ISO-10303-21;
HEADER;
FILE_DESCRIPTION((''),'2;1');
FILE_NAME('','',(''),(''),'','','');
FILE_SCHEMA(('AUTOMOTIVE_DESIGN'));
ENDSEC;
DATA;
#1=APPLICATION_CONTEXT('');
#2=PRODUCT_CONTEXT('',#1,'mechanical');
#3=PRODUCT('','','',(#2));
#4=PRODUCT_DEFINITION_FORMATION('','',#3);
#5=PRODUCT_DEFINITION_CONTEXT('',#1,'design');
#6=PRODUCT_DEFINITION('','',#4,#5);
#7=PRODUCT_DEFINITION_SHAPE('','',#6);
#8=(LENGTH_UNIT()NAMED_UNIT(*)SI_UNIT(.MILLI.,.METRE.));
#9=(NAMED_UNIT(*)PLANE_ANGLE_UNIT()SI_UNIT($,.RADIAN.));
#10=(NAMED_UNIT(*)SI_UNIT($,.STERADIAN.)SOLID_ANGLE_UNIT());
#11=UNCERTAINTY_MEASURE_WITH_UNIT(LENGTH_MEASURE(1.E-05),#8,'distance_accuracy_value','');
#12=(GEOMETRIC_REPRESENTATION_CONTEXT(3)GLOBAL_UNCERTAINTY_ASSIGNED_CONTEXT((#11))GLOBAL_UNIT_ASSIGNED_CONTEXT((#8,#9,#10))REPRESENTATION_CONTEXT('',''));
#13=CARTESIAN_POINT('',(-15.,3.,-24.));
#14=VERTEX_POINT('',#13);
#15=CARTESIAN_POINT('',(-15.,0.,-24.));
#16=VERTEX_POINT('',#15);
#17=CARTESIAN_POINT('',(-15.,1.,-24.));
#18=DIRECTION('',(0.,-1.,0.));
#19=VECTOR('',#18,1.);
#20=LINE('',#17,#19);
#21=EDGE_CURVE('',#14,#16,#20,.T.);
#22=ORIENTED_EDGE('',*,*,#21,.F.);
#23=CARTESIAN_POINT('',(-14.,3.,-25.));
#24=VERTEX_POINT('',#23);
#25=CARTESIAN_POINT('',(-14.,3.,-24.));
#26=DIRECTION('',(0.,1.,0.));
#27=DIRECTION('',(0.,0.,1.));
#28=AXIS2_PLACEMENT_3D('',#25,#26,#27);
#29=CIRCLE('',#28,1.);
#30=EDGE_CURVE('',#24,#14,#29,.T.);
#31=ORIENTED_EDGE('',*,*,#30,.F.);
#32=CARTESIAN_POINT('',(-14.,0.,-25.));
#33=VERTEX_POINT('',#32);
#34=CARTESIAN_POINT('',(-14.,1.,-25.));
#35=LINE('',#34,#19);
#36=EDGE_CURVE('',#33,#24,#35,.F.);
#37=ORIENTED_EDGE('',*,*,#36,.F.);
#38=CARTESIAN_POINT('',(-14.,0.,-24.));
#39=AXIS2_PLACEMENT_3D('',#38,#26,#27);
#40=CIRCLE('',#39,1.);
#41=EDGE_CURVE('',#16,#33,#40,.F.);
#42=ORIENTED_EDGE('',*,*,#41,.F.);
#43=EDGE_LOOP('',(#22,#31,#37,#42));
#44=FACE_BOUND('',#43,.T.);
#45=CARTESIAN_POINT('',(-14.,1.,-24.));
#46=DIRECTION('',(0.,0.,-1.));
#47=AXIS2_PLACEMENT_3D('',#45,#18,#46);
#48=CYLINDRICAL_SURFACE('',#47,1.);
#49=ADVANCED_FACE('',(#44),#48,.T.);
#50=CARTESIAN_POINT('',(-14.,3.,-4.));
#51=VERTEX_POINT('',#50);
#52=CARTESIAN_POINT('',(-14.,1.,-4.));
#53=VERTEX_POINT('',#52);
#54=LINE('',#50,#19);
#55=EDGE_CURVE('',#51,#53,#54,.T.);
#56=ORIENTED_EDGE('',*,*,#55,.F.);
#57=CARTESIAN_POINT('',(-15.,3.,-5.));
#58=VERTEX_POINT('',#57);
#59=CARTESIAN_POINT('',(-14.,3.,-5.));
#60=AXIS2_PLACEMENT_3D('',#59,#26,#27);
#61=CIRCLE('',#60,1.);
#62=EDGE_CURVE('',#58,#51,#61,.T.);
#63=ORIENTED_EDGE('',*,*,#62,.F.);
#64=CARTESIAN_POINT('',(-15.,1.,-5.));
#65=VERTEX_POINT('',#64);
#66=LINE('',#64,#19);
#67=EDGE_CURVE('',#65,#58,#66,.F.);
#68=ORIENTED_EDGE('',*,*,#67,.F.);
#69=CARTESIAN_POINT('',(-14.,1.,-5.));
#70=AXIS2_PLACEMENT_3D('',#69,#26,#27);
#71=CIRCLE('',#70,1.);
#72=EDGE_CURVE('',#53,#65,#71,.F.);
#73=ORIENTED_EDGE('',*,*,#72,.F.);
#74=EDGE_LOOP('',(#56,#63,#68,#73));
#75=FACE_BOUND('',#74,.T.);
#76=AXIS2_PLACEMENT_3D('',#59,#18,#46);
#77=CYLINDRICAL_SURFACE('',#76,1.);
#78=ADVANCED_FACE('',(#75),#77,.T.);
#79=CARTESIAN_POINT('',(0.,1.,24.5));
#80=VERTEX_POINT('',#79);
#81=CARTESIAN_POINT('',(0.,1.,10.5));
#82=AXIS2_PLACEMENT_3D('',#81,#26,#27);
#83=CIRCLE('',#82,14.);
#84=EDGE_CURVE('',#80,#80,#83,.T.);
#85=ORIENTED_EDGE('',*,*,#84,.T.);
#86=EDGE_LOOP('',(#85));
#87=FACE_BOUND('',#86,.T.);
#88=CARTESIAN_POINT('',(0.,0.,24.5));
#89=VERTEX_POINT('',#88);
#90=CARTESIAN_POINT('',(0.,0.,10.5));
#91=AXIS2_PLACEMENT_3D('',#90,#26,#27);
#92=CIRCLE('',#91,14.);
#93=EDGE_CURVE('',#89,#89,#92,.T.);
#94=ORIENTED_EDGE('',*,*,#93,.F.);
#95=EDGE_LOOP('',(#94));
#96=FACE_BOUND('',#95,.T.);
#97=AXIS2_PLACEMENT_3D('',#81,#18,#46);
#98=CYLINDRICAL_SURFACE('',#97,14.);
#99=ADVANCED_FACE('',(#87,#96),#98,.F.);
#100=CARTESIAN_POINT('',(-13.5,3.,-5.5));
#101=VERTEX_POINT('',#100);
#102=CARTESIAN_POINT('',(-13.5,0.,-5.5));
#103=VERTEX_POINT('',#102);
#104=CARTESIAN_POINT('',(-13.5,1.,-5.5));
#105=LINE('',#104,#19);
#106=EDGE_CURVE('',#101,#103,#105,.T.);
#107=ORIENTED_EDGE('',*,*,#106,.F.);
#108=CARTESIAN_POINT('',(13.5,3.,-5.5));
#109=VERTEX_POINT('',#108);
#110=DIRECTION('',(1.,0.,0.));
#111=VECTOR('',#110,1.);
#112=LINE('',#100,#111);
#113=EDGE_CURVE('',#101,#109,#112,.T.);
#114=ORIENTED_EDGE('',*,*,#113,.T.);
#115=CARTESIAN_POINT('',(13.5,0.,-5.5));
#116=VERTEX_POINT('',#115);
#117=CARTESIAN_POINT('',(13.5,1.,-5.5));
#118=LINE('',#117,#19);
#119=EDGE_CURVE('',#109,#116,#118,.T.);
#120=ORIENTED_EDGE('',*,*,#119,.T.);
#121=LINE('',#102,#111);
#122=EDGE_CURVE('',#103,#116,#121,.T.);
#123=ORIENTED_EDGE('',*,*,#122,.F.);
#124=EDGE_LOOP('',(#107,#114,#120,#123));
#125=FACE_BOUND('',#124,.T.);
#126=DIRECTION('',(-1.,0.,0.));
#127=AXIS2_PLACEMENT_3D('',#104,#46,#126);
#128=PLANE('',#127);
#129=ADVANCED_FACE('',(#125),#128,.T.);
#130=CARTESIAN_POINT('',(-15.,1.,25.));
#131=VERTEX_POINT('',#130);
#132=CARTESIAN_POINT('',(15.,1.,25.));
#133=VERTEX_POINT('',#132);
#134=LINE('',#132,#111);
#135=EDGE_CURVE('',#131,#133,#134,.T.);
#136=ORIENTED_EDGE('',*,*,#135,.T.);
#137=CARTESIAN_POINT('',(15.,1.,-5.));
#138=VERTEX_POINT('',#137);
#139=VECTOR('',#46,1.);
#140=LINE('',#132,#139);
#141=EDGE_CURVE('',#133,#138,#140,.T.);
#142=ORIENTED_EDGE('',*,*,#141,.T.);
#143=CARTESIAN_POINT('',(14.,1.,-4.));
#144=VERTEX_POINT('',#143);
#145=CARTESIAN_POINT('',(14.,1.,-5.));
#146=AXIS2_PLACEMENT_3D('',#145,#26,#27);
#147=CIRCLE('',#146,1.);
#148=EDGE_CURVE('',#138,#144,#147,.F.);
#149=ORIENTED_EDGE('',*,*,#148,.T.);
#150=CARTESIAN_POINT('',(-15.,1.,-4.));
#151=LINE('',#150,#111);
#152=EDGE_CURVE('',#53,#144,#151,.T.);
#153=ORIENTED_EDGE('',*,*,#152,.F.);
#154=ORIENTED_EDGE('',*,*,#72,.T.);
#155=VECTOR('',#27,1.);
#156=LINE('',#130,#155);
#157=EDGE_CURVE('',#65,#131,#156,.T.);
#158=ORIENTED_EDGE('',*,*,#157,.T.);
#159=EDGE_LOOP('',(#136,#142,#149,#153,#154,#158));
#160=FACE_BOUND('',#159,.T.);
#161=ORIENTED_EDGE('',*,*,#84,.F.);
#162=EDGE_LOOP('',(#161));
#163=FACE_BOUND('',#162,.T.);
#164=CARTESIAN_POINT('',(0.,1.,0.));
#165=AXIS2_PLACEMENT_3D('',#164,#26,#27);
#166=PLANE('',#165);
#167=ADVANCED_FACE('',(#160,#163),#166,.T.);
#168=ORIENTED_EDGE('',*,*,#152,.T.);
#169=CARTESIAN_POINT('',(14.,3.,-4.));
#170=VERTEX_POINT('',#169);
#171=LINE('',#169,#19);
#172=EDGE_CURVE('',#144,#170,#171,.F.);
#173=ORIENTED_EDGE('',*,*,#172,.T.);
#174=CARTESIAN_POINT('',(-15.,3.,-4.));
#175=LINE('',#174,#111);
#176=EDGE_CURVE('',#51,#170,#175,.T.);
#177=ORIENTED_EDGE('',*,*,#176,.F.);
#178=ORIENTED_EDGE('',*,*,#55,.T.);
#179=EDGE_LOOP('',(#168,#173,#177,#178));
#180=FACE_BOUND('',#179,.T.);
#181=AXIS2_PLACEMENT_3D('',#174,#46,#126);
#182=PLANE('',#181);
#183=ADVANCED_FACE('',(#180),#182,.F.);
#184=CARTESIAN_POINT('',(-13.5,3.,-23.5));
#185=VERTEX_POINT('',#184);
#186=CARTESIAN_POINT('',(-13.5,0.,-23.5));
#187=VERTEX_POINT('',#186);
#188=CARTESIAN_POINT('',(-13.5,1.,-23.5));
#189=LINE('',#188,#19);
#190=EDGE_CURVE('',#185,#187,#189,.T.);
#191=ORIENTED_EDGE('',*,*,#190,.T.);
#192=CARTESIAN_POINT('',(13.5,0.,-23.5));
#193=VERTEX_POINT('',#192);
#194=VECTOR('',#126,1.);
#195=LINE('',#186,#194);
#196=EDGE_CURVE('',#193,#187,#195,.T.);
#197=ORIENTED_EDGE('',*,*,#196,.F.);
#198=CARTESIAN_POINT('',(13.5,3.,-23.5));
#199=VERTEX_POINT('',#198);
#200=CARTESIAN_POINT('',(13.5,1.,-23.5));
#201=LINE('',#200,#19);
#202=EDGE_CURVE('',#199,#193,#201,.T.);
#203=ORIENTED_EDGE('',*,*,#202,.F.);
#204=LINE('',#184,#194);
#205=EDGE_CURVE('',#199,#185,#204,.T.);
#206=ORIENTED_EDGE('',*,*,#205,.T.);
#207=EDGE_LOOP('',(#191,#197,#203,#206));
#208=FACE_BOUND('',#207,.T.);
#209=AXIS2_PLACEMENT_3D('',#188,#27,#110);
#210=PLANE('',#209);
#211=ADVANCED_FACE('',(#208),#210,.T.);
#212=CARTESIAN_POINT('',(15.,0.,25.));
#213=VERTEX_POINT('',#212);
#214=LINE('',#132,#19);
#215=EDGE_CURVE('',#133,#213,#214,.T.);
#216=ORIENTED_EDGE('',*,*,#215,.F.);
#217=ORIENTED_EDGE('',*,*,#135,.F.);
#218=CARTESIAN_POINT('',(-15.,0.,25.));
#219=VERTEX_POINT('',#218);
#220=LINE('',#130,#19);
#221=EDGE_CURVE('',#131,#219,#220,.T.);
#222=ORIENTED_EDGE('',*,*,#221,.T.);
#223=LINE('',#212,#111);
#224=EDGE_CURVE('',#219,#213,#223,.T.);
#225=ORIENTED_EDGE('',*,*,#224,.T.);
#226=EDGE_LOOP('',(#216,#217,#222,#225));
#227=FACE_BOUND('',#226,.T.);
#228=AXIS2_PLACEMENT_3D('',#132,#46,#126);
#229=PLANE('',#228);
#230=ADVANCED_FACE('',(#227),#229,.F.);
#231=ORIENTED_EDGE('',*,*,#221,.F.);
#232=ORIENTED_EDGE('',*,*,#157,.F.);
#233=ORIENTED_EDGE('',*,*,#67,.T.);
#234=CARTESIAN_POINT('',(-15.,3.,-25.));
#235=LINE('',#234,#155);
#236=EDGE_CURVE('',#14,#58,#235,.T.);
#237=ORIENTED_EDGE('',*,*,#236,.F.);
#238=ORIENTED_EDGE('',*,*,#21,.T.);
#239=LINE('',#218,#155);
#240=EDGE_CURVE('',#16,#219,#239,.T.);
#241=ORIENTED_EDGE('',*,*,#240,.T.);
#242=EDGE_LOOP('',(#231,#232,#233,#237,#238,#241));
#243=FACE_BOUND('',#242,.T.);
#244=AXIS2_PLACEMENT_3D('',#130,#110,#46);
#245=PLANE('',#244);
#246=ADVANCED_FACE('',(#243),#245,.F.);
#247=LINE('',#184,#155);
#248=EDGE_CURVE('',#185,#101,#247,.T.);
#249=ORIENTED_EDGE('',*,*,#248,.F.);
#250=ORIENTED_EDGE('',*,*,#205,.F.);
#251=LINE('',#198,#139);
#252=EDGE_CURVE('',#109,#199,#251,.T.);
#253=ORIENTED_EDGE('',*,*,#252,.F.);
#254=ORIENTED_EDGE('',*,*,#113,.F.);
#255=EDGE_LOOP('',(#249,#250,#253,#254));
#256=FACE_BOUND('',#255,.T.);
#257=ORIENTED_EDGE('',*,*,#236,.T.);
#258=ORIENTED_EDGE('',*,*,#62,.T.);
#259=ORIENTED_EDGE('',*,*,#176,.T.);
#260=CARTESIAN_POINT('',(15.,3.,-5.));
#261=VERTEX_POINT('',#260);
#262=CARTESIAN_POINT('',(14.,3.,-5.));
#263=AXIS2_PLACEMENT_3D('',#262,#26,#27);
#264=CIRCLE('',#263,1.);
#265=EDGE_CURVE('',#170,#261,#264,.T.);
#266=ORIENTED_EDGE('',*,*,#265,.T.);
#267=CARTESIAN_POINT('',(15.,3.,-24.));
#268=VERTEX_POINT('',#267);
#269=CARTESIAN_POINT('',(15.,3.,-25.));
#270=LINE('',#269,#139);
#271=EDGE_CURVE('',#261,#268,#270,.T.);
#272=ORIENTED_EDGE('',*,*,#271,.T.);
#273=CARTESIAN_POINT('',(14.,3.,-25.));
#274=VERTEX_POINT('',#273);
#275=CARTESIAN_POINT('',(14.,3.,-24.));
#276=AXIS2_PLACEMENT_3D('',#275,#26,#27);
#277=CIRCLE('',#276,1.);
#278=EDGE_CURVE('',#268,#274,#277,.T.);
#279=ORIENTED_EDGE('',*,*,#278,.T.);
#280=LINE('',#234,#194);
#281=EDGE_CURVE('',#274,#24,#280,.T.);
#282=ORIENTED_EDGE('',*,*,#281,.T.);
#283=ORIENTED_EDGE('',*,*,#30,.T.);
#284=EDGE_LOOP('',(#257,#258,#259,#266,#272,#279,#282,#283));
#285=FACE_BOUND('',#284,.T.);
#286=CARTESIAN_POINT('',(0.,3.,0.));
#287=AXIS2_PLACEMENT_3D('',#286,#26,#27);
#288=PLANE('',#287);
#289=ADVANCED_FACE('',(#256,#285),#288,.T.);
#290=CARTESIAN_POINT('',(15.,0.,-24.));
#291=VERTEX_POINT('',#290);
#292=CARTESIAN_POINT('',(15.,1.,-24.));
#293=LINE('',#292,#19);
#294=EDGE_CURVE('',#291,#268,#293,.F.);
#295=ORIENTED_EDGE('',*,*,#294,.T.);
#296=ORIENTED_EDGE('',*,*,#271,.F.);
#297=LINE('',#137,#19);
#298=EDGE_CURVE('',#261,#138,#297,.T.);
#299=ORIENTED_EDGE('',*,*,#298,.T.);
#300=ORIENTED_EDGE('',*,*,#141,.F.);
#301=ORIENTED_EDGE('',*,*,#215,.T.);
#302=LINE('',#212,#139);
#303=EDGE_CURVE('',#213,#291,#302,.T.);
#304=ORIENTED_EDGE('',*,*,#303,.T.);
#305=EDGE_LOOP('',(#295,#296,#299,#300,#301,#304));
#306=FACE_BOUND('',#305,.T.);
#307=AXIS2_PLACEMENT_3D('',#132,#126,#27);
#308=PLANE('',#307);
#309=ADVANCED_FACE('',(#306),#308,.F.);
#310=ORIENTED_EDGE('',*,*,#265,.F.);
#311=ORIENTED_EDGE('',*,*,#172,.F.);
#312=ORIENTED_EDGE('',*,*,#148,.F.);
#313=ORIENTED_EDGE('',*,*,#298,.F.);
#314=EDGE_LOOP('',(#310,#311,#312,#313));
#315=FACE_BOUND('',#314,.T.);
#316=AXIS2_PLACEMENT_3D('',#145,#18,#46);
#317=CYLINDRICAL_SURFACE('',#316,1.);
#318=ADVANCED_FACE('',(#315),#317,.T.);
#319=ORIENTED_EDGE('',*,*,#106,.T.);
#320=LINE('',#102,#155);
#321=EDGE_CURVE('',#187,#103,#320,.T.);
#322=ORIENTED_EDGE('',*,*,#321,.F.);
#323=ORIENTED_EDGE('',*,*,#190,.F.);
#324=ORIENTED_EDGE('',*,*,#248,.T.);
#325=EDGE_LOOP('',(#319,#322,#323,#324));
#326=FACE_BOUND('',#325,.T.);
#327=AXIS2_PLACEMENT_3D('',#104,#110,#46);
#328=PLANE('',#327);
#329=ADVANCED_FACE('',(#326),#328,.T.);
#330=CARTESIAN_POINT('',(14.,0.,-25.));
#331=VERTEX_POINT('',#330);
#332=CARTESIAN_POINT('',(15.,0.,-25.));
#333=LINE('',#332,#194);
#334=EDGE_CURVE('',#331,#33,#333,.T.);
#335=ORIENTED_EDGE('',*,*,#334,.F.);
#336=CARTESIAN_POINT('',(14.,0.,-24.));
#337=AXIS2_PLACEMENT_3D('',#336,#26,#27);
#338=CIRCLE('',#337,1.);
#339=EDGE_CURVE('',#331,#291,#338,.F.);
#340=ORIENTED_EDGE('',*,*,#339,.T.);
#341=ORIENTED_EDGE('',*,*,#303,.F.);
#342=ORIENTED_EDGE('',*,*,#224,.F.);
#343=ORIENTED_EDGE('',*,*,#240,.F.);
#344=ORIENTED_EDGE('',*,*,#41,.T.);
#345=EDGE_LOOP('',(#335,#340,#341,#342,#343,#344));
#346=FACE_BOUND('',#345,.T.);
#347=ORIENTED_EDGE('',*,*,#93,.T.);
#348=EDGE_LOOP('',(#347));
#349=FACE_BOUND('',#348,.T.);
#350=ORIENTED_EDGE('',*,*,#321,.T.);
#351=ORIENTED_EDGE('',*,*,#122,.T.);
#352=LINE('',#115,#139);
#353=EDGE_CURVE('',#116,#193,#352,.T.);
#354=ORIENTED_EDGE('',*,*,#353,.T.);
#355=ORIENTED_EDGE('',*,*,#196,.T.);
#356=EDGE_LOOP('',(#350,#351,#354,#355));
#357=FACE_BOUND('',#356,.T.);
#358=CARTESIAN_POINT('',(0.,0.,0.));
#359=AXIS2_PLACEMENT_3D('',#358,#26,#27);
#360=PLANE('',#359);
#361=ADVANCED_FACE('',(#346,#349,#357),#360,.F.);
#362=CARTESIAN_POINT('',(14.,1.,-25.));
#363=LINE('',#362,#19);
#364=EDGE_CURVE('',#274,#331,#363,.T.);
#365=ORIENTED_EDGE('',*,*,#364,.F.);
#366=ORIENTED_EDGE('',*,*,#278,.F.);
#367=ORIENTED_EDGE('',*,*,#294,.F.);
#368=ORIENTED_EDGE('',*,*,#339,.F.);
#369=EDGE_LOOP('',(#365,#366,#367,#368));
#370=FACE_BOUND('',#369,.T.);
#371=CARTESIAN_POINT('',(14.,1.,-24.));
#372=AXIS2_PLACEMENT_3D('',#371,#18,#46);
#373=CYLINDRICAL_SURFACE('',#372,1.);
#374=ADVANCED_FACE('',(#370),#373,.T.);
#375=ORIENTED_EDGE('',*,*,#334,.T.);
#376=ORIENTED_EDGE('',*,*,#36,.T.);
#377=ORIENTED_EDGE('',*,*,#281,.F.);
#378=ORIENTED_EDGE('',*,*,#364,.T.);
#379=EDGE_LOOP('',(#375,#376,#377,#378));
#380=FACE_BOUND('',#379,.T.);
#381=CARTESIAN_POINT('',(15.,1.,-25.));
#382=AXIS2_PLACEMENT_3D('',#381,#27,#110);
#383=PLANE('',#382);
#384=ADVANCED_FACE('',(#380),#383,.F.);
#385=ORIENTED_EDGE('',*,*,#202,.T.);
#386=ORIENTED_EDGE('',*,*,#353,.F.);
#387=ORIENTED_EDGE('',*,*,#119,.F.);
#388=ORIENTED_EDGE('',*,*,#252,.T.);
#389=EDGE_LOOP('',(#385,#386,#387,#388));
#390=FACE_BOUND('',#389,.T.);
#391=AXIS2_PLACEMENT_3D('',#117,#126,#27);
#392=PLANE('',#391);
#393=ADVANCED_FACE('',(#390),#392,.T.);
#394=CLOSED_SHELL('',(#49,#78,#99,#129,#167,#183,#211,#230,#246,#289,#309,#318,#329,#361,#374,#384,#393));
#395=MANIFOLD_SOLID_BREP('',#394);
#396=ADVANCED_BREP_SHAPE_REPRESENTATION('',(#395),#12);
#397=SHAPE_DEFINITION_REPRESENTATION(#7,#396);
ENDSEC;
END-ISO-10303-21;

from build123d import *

# Parameters (mm, degrees)
ESQUISSE1_W        = 30
ESQUISSE1_H        = 50
ESQUISSE1_R        = 14
ESQUISSE1_W_2      = 27
ESQUISSE1_H_2      = 18
BOSS_EXTRU_1_DEPTH = 1
ESQUISSE2_W        = 30
ESQUISSE2_H        = 21
ESQUISSE2_W_2      = 27
ESQUISSE2_H_2      = 18
BOSS_EXTRU_2_DEPTH = 2
CONG_1_R           = 1


with BuildPart() as part:
    # Esquisse1 → Boss.-Extru.1 (new body)
    with BuildSketch(Plane(origin=(0, 0, 0), x_dir=(1, 0, 0), z_dir=(0, 1, 0))):
        Rectangle(ESQUISSE1_W, ESQUISSE1_H)
        with Locations(Location((0, -10.5, 0), (0, 0, 270))):
            Circle(ESQUISSE1_R, mode=Mode.SUBTRACT)
        with Locations((0, 14.5)):
            Rectangle(ESQUISSE1_W_2, ESQUISSE1_H_2, mode=Mode.SUBTRACT)
    extrude(amount=BOSS_EXTRU_1_DEPTH)

    # Esquisse2 → Boss.-Extru.2 (add)
    with BuildSketch(Plane(origin=(0, 1, 0), x_dir=(1, 0, 0), z_dir=(0, 1, 0))):
        with Locations((0, 14.5)):
            Rectangle(ESQUISSE2_W, ESQUISSE2_H)
        with Locations((0, 14.5)):
            Rectangle(ESQUISSE2_W_2, ESQUISSE2_H_2, mode=Mode.SUBTRACT)
    extrude(amount=BOSS_EXTRU_2_DEPTH)

    # Congé1
    cong_1_edges = [part.edges().sort_by_distance(p)[0] for p in [
        (-15, 1.5, -25),
        (-15, 2, -4),
        (15, 1.5, -25),
        (15, 2, -4),
    ]]
    fillet(cong_1_edges, radius=CONG_1_R)


solid = part.part
